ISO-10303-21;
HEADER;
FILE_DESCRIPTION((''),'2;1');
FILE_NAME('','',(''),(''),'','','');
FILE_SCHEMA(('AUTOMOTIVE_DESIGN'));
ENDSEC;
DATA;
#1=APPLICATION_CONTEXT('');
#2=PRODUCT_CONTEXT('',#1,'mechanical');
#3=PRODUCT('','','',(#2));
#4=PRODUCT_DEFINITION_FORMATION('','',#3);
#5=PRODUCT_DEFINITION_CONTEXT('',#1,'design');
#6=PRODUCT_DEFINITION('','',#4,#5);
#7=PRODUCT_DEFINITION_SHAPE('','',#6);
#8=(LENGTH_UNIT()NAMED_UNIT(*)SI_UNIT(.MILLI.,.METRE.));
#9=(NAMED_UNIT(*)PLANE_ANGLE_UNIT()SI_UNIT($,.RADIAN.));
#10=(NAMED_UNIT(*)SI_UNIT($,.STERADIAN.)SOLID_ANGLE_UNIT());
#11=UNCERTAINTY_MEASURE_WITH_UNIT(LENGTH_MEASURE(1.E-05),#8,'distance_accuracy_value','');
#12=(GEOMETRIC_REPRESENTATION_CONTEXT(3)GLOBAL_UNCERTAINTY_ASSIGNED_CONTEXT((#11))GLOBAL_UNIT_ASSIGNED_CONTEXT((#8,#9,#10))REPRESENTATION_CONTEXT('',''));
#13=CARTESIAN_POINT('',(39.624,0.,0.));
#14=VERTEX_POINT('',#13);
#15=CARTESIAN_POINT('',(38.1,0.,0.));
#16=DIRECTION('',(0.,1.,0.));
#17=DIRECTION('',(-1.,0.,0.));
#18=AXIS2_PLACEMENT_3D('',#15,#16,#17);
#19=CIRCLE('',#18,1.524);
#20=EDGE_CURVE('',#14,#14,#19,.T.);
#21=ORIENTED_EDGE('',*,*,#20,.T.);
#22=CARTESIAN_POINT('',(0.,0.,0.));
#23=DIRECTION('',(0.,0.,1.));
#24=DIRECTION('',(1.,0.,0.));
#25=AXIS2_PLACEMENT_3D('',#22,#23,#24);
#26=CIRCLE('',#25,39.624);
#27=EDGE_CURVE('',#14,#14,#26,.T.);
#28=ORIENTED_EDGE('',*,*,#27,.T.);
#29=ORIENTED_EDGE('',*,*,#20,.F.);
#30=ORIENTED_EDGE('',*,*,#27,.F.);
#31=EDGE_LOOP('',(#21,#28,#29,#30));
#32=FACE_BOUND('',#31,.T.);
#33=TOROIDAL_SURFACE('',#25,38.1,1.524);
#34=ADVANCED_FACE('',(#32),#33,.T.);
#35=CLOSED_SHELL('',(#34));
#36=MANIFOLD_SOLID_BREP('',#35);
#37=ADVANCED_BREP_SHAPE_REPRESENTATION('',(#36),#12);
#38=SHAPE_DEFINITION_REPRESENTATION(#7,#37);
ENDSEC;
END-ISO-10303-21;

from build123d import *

# Parameters (mm, degrees)
SWEEP1_PROFILE_R = 1.524


with BuildPart() as part:
    # Sweep1: sweep along a path in Sketch1
    with BuildLine(Plane.XY) as sweep1_path:
        CenterArc((0, 0), 38.1, 0, 360)
    # Sweep1 profile (on start of the path) → Sweep1 (sweep)
    with BuildSketch(Plane(origin=(38.1, 0, 0), x_dir=(0, 0, 1), z_dir=(0, 1, 0))):
        Circle(SWEEP1_PROFILE_R)
    sweep(path=sweep1_path.line)


solid = part.part
